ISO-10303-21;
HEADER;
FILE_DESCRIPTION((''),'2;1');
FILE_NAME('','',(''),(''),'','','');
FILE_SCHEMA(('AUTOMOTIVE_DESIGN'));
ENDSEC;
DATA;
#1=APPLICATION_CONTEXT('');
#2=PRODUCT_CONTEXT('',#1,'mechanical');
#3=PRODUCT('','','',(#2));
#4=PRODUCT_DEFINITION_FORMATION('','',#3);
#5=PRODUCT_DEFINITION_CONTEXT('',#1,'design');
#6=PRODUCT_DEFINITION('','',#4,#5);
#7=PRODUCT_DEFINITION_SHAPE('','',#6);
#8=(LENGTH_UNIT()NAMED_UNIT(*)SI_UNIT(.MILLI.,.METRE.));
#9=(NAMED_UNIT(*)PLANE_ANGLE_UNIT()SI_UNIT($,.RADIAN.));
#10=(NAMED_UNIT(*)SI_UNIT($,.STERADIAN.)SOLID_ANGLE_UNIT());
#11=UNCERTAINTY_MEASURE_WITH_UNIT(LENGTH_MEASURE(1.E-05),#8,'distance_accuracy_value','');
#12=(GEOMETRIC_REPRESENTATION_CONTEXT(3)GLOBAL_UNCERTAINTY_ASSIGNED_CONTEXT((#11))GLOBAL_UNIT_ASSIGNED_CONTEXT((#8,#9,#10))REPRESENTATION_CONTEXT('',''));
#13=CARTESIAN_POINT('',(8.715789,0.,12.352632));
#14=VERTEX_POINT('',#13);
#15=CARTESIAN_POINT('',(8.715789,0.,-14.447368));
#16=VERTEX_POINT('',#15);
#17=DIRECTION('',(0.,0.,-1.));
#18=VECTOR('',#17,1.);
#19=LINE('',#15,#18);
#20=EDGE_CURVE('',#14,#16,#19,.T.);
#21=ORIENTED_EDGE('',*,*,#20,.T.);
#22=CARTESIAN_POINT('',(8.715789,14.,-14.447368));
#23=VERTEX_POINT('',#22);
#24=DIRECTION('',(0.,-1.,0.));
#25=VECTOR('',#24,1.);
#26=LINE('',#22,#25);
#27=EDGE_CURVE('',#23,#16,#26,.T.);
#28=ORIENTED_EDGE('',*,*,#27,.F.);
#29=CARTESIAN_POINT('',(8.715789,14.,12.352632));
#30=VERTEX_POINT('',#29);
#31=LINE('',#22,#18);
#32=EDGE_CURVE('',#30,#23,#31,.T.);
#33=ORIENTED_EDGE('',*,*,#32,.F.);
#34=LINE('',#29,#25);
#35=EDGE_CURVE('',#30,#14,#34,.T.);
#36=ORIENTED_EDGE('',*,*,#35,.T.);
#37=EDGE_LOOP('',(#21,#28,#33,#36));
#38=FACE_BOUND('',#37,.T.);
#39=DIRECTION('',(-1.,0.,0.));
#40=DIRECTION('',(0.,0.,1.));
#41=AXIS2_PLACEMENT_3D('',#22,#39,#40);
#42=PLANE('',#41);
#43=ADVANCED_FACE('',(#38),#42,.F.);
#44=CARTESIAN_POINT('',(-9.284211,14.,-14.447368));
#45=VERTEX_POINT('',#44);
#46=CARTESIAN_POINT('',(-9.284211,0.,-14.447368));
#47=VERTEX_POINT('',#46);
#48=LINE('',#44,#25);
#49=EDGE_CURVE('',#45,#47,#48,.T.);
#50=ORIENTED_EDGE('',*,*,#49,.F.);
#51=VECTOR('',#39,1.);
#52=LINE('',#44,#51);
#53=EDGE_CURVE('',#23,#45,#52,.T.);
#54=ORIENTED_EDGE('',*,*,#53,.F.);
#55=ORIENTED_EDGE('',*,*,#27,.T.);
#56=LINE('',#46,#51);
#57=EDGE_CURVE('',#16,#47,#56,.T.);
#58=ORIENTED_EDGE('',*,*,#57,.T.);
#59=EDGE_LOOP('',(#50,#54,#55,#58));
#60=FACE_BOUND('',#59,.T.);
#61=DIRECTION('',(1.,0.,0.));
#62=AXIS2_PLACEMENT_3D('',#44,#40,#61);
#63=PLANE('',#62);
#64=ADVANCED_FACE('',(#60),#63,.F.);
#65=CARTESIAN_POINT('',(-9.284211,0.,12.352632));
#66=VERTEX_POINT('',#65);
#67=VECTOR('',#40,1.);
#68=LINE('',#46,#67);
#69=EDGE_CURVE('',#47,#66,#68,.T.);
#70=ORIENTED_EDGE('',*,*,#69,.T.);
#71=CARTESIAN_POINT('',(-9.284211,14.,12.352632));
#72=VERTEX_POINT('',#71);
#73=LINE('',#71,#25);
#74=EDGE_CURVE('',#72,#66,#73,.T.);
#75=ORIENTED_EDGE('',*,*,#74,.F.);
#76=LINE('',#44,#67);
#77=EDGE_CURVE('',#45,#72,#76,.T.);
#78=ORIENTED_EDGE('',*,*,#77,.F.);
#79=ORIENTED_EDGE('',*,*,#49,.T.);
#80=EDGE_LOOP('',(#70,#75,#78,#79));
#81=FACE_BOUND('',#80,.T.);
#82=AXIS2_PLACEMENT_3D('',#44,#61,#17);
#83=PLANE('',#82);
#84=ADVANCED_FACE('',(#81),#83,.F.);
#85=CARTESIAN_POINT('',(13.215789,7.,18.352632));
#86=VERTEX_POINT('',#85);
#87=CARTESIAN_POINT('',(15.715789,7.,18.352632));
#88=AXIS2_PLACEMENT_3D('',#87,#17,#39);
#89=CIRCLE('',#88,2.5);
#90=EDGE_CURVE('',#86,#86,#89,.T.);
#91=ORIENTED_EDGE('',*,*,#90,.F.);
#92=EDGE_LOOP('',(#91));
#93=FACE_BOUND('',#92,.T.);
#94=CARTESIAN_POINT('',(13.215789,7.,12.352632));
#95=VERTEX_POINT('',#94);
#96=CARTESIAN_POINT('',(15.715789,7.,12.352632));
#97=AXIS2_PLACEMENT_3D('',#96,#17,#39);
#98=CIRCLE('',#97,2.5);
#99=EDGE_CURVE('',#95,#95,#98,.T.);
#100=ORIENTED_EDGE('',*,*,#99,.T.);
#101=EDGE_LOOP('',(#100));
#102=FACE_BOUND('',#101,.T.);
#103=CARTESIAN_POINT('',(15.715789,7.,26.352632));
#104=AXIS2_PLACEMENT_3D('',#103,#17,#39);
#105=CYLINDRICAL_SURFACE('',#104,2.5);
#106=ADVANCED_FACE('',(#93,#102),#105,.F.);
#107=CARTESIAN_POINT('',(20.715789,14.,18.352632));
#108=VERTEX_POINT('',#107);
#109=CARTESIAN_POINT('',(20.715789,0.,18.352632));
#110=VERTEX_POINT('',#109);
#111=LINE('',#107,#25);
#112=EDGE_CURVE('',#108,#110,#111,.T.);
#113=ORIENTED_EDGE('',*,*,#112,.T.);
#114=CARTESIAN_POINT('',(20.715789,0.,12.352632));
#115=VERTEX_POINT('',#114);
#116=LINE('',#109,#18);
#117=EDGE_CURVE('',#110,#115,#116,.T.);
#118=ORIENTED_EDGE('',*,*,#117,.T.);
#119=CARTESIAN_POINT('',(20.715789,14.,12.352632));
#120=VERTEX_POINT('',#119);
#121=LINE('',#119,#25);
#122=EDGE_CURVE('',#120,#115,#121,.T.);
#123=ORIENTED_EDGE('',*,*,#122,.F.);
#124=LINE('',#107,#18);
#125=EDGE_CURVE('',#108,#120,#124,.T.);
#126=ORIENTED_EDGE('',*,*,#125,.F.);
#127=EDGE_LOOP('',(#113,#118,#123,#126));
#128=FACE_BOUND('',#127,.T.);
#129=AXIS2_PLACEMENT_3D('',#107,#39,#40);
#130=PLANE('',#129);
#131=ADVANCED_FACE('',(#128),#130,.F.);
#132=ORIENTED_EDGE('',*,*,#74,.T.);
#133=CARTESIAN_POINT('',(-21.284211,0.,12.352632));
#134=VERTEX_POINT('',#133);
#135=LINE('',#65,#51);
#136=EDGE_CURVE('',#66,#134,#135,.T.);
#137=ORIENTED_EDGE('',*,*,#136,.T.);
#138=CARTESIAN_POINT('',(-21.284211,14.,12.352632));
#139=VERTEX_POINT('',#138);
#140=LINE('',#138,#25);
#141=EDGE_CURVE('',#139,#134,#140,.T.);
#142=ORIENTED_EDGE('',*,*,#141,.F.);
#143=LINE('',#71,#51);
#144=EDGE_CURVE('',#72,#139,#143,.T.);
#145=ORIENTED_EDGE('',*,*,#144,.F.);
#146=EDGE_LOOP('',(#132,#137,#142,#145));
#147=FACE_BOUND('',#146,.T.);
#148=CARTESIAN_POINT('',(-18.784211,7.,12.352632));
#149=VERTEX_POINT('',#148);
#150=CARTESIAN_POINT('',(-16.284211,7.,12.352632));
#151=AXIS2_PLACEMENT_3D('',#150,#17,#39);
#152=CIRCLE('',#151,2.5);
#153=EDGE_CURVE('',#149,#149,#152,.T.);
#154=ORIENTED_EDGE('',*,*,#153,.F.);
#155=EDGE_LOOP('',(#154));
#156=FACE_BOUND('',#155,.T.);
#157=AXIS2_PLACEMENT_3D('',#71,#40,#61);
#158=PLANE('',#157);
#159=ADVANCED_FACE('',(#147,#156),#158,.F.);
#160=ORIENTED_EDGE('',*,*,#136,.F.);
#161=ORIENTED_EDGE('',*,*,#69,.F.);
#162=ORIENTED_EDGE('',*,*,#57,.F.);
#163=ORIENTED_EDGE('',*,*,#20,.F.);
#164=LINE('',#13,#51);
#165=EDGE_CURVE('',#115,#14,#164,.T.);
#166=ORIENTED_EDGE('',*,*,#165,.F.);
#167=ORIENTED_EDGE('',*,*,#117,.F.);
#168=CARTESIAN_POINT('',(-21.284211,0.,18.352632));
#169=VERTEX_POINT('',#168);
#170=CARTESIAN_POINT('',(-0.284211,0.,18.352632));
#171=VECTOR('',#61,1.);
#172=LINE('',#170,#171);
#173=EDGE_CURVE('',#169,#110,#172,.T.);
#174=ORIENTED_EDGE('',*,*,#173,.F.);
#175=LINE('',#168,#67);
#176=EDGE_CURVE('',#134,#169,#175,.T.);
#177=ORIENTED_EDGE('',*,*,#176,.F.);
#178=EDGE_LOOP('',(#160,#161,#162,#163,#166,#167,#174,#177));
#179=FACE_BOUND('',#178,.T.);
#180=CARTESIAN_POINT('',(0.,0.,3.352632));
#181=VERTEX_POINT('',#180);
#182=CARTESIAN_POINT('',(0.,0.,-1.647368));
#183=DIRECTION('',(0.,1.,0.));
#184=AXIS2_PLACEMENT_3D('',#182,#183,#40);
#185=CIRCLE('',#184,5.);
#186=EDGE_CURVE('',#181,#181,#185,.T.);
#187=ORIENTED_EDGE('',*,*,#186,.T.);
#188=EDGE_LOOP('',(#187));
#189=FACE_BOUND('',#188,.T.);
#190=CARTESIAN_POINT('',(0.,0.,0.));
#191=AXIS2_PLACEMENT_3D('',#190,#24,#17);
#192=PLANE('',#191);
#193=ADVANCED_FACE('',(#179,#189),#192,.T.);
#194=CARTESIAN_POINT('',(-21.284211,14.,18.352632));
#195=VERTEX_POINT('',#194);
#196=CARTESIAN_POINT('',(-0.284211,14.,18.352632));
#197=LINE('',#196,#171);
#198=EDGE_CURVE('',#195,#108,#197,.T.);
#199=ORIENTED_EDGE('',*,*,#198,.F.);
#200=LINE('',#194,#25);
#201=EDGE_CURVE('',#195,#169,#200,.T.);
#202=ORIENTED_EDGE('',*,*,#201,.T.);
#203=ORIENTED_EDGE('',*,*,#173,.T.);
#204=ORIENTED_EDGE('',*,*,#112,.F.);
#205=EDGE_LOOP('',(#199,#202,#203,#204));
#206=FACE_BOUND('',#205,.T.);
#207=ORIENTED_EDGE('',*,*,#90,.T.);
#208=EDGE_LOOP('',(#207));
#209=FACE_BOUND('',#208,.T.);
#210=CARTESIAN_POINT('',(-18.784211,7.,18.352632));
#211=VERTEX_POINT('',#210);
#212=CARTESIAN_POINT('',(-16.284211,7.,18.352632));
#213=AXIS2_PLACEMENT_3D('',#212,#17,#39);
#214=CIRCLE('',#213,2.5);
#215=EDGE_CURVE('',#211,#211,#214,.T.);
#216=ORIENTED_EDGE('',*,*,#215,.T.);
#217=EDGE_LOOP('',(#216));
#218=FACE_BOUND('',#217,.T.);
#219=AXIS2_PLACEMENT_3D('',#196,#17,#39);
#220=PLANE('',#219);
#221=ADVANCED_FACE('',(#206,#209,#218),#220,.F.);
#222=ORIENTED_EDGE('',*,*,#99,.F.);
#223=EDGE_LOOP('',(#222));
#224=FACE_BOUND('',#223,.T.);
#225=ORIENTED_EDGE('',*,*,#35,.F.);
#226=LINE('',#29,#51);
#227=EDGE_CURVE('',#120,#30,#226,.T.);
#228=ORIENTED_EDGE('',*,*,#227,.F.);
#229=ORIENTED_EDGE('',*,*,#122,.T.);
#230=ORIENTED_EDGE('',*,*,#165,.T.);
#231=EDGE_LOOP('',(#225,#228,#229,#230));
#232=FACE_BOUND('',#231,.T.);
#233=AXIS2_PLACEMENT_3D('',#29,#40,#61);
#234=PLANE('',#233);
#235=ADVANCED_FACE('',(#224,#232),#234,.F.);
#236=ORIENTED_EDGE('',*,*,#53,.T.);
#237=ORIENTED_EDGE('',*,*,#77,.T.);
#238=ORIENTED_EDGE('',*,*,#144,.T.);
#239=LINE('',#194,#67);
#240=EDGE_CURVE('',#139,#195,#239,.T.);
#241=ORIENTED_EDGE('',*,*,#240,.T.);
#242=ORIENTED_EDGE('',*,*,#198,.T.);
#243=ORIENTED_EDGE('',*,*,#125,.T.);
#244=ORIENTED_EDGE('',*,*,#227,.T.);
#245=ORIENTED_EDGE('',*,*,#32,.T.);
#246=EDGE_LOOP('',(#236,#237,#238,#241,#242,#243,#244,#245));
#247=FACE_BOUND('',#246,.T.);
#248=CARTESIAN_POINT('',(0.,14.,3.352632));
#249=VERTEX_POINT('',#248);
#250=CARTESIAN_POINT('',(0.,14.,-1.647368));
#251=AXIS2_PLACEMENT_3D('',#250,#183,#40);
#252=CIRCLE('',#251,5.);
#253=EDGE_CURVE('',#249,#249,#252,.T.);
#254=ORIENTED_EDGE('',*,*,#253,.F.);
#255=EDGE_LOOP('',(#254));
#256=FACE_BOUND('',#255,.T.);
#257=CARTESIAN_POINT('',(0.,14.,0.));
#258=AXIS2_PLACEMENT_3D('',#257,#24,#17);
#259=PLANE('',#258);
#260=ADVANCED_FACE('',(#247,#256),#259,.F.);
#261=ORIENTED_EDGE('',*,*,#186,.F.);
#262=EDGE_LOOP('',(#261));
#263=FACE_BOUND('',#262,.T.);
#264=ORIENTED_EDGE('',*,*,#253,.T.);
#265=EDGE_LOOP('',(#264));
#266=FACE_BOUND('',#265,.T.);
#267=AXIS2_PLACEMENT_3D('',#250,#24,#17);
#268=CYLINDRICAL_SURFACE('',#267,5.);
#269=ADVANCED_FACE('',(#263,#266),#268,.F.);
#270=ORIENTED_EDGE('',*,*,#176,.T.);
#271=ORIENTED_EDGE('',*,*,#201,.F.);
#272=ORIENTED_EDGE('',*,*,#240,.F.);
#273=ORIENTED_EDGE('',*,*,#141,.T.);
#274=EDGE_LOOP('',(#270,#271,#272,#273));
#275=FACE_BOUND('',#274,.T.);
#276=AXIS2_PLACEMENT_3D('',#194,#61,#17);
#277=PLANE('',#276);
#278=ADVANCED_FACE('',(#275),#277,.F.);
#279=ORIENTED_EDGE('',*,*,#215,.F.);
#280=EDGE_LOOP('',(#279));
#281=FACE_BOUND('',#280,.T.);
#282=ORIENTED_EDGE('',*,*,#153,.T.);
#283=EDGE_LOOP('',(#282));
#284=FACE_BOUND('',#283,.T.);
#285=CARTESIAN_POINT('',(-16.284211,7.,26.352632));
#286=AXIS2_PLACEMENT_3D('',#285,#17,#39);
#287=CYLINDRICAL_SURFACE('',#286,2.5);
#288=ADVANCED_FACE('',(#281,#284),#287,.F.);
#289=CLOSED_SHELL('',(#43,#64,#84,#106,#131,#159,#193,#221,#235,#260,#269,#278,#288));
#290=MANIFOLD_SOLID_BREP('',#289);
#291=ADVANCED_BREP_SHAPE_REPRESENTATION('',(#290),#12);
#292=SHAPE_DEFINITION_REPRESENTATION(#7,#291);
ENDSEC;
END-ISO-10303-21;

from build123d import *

# Parameters (mm, degrees)
SKETCH_1_R          = 5
EXTRUDE_1_DEPTH     = 14
SKETCH_2_R          = 2.5
CUT_EXTRUDE_1_DEPTH = 14


with BuildPart() as part:
    # 草图1 → 凸台-拉伸1 (new body)
    with BuildSketch(Plane(origin=(0, 0, 0), x_dir=(1, 0, 0), z_dir=(0, 1, 0))):
        Polygon((-9.284210526, 14.447368421), (8.715789474, 14.447368421), (8.715789474, -12.352631579), (20.715789474, -12.352631579), (20.715789474, -18.352631579), (-0.284210526, -18.352631579), (-21.284210526, -18.352631579), (-21.284210526, -12.352631579), (-9.284210526, -12.352631579), align=None)
        with Locations((0, 1.647368421)):
            Circle(SKETCH_1_R, mode=Mode.SUBTRACT)
    extrude(amount=EXTRUDE_1_DEPTH)

    # 草图2 → 切除-拉伸1 (cut)
    with BuildSketch(Plane(origin=(0, 0, 12.352631579), x_dir=(-1, 0, 0), z_dir=(0, 0, -1))):
        with Locations((-15.715789474, 7)):
            Circle(SKETCH_2_R)
        with Locations((16.284210526, 7)):
            Circle(SKETCH_2_R)
    extrude(amount=-CUT_EXTRUDE_1_DEPTH, mode=Mode.SUBTRACT)


solid = part.part
